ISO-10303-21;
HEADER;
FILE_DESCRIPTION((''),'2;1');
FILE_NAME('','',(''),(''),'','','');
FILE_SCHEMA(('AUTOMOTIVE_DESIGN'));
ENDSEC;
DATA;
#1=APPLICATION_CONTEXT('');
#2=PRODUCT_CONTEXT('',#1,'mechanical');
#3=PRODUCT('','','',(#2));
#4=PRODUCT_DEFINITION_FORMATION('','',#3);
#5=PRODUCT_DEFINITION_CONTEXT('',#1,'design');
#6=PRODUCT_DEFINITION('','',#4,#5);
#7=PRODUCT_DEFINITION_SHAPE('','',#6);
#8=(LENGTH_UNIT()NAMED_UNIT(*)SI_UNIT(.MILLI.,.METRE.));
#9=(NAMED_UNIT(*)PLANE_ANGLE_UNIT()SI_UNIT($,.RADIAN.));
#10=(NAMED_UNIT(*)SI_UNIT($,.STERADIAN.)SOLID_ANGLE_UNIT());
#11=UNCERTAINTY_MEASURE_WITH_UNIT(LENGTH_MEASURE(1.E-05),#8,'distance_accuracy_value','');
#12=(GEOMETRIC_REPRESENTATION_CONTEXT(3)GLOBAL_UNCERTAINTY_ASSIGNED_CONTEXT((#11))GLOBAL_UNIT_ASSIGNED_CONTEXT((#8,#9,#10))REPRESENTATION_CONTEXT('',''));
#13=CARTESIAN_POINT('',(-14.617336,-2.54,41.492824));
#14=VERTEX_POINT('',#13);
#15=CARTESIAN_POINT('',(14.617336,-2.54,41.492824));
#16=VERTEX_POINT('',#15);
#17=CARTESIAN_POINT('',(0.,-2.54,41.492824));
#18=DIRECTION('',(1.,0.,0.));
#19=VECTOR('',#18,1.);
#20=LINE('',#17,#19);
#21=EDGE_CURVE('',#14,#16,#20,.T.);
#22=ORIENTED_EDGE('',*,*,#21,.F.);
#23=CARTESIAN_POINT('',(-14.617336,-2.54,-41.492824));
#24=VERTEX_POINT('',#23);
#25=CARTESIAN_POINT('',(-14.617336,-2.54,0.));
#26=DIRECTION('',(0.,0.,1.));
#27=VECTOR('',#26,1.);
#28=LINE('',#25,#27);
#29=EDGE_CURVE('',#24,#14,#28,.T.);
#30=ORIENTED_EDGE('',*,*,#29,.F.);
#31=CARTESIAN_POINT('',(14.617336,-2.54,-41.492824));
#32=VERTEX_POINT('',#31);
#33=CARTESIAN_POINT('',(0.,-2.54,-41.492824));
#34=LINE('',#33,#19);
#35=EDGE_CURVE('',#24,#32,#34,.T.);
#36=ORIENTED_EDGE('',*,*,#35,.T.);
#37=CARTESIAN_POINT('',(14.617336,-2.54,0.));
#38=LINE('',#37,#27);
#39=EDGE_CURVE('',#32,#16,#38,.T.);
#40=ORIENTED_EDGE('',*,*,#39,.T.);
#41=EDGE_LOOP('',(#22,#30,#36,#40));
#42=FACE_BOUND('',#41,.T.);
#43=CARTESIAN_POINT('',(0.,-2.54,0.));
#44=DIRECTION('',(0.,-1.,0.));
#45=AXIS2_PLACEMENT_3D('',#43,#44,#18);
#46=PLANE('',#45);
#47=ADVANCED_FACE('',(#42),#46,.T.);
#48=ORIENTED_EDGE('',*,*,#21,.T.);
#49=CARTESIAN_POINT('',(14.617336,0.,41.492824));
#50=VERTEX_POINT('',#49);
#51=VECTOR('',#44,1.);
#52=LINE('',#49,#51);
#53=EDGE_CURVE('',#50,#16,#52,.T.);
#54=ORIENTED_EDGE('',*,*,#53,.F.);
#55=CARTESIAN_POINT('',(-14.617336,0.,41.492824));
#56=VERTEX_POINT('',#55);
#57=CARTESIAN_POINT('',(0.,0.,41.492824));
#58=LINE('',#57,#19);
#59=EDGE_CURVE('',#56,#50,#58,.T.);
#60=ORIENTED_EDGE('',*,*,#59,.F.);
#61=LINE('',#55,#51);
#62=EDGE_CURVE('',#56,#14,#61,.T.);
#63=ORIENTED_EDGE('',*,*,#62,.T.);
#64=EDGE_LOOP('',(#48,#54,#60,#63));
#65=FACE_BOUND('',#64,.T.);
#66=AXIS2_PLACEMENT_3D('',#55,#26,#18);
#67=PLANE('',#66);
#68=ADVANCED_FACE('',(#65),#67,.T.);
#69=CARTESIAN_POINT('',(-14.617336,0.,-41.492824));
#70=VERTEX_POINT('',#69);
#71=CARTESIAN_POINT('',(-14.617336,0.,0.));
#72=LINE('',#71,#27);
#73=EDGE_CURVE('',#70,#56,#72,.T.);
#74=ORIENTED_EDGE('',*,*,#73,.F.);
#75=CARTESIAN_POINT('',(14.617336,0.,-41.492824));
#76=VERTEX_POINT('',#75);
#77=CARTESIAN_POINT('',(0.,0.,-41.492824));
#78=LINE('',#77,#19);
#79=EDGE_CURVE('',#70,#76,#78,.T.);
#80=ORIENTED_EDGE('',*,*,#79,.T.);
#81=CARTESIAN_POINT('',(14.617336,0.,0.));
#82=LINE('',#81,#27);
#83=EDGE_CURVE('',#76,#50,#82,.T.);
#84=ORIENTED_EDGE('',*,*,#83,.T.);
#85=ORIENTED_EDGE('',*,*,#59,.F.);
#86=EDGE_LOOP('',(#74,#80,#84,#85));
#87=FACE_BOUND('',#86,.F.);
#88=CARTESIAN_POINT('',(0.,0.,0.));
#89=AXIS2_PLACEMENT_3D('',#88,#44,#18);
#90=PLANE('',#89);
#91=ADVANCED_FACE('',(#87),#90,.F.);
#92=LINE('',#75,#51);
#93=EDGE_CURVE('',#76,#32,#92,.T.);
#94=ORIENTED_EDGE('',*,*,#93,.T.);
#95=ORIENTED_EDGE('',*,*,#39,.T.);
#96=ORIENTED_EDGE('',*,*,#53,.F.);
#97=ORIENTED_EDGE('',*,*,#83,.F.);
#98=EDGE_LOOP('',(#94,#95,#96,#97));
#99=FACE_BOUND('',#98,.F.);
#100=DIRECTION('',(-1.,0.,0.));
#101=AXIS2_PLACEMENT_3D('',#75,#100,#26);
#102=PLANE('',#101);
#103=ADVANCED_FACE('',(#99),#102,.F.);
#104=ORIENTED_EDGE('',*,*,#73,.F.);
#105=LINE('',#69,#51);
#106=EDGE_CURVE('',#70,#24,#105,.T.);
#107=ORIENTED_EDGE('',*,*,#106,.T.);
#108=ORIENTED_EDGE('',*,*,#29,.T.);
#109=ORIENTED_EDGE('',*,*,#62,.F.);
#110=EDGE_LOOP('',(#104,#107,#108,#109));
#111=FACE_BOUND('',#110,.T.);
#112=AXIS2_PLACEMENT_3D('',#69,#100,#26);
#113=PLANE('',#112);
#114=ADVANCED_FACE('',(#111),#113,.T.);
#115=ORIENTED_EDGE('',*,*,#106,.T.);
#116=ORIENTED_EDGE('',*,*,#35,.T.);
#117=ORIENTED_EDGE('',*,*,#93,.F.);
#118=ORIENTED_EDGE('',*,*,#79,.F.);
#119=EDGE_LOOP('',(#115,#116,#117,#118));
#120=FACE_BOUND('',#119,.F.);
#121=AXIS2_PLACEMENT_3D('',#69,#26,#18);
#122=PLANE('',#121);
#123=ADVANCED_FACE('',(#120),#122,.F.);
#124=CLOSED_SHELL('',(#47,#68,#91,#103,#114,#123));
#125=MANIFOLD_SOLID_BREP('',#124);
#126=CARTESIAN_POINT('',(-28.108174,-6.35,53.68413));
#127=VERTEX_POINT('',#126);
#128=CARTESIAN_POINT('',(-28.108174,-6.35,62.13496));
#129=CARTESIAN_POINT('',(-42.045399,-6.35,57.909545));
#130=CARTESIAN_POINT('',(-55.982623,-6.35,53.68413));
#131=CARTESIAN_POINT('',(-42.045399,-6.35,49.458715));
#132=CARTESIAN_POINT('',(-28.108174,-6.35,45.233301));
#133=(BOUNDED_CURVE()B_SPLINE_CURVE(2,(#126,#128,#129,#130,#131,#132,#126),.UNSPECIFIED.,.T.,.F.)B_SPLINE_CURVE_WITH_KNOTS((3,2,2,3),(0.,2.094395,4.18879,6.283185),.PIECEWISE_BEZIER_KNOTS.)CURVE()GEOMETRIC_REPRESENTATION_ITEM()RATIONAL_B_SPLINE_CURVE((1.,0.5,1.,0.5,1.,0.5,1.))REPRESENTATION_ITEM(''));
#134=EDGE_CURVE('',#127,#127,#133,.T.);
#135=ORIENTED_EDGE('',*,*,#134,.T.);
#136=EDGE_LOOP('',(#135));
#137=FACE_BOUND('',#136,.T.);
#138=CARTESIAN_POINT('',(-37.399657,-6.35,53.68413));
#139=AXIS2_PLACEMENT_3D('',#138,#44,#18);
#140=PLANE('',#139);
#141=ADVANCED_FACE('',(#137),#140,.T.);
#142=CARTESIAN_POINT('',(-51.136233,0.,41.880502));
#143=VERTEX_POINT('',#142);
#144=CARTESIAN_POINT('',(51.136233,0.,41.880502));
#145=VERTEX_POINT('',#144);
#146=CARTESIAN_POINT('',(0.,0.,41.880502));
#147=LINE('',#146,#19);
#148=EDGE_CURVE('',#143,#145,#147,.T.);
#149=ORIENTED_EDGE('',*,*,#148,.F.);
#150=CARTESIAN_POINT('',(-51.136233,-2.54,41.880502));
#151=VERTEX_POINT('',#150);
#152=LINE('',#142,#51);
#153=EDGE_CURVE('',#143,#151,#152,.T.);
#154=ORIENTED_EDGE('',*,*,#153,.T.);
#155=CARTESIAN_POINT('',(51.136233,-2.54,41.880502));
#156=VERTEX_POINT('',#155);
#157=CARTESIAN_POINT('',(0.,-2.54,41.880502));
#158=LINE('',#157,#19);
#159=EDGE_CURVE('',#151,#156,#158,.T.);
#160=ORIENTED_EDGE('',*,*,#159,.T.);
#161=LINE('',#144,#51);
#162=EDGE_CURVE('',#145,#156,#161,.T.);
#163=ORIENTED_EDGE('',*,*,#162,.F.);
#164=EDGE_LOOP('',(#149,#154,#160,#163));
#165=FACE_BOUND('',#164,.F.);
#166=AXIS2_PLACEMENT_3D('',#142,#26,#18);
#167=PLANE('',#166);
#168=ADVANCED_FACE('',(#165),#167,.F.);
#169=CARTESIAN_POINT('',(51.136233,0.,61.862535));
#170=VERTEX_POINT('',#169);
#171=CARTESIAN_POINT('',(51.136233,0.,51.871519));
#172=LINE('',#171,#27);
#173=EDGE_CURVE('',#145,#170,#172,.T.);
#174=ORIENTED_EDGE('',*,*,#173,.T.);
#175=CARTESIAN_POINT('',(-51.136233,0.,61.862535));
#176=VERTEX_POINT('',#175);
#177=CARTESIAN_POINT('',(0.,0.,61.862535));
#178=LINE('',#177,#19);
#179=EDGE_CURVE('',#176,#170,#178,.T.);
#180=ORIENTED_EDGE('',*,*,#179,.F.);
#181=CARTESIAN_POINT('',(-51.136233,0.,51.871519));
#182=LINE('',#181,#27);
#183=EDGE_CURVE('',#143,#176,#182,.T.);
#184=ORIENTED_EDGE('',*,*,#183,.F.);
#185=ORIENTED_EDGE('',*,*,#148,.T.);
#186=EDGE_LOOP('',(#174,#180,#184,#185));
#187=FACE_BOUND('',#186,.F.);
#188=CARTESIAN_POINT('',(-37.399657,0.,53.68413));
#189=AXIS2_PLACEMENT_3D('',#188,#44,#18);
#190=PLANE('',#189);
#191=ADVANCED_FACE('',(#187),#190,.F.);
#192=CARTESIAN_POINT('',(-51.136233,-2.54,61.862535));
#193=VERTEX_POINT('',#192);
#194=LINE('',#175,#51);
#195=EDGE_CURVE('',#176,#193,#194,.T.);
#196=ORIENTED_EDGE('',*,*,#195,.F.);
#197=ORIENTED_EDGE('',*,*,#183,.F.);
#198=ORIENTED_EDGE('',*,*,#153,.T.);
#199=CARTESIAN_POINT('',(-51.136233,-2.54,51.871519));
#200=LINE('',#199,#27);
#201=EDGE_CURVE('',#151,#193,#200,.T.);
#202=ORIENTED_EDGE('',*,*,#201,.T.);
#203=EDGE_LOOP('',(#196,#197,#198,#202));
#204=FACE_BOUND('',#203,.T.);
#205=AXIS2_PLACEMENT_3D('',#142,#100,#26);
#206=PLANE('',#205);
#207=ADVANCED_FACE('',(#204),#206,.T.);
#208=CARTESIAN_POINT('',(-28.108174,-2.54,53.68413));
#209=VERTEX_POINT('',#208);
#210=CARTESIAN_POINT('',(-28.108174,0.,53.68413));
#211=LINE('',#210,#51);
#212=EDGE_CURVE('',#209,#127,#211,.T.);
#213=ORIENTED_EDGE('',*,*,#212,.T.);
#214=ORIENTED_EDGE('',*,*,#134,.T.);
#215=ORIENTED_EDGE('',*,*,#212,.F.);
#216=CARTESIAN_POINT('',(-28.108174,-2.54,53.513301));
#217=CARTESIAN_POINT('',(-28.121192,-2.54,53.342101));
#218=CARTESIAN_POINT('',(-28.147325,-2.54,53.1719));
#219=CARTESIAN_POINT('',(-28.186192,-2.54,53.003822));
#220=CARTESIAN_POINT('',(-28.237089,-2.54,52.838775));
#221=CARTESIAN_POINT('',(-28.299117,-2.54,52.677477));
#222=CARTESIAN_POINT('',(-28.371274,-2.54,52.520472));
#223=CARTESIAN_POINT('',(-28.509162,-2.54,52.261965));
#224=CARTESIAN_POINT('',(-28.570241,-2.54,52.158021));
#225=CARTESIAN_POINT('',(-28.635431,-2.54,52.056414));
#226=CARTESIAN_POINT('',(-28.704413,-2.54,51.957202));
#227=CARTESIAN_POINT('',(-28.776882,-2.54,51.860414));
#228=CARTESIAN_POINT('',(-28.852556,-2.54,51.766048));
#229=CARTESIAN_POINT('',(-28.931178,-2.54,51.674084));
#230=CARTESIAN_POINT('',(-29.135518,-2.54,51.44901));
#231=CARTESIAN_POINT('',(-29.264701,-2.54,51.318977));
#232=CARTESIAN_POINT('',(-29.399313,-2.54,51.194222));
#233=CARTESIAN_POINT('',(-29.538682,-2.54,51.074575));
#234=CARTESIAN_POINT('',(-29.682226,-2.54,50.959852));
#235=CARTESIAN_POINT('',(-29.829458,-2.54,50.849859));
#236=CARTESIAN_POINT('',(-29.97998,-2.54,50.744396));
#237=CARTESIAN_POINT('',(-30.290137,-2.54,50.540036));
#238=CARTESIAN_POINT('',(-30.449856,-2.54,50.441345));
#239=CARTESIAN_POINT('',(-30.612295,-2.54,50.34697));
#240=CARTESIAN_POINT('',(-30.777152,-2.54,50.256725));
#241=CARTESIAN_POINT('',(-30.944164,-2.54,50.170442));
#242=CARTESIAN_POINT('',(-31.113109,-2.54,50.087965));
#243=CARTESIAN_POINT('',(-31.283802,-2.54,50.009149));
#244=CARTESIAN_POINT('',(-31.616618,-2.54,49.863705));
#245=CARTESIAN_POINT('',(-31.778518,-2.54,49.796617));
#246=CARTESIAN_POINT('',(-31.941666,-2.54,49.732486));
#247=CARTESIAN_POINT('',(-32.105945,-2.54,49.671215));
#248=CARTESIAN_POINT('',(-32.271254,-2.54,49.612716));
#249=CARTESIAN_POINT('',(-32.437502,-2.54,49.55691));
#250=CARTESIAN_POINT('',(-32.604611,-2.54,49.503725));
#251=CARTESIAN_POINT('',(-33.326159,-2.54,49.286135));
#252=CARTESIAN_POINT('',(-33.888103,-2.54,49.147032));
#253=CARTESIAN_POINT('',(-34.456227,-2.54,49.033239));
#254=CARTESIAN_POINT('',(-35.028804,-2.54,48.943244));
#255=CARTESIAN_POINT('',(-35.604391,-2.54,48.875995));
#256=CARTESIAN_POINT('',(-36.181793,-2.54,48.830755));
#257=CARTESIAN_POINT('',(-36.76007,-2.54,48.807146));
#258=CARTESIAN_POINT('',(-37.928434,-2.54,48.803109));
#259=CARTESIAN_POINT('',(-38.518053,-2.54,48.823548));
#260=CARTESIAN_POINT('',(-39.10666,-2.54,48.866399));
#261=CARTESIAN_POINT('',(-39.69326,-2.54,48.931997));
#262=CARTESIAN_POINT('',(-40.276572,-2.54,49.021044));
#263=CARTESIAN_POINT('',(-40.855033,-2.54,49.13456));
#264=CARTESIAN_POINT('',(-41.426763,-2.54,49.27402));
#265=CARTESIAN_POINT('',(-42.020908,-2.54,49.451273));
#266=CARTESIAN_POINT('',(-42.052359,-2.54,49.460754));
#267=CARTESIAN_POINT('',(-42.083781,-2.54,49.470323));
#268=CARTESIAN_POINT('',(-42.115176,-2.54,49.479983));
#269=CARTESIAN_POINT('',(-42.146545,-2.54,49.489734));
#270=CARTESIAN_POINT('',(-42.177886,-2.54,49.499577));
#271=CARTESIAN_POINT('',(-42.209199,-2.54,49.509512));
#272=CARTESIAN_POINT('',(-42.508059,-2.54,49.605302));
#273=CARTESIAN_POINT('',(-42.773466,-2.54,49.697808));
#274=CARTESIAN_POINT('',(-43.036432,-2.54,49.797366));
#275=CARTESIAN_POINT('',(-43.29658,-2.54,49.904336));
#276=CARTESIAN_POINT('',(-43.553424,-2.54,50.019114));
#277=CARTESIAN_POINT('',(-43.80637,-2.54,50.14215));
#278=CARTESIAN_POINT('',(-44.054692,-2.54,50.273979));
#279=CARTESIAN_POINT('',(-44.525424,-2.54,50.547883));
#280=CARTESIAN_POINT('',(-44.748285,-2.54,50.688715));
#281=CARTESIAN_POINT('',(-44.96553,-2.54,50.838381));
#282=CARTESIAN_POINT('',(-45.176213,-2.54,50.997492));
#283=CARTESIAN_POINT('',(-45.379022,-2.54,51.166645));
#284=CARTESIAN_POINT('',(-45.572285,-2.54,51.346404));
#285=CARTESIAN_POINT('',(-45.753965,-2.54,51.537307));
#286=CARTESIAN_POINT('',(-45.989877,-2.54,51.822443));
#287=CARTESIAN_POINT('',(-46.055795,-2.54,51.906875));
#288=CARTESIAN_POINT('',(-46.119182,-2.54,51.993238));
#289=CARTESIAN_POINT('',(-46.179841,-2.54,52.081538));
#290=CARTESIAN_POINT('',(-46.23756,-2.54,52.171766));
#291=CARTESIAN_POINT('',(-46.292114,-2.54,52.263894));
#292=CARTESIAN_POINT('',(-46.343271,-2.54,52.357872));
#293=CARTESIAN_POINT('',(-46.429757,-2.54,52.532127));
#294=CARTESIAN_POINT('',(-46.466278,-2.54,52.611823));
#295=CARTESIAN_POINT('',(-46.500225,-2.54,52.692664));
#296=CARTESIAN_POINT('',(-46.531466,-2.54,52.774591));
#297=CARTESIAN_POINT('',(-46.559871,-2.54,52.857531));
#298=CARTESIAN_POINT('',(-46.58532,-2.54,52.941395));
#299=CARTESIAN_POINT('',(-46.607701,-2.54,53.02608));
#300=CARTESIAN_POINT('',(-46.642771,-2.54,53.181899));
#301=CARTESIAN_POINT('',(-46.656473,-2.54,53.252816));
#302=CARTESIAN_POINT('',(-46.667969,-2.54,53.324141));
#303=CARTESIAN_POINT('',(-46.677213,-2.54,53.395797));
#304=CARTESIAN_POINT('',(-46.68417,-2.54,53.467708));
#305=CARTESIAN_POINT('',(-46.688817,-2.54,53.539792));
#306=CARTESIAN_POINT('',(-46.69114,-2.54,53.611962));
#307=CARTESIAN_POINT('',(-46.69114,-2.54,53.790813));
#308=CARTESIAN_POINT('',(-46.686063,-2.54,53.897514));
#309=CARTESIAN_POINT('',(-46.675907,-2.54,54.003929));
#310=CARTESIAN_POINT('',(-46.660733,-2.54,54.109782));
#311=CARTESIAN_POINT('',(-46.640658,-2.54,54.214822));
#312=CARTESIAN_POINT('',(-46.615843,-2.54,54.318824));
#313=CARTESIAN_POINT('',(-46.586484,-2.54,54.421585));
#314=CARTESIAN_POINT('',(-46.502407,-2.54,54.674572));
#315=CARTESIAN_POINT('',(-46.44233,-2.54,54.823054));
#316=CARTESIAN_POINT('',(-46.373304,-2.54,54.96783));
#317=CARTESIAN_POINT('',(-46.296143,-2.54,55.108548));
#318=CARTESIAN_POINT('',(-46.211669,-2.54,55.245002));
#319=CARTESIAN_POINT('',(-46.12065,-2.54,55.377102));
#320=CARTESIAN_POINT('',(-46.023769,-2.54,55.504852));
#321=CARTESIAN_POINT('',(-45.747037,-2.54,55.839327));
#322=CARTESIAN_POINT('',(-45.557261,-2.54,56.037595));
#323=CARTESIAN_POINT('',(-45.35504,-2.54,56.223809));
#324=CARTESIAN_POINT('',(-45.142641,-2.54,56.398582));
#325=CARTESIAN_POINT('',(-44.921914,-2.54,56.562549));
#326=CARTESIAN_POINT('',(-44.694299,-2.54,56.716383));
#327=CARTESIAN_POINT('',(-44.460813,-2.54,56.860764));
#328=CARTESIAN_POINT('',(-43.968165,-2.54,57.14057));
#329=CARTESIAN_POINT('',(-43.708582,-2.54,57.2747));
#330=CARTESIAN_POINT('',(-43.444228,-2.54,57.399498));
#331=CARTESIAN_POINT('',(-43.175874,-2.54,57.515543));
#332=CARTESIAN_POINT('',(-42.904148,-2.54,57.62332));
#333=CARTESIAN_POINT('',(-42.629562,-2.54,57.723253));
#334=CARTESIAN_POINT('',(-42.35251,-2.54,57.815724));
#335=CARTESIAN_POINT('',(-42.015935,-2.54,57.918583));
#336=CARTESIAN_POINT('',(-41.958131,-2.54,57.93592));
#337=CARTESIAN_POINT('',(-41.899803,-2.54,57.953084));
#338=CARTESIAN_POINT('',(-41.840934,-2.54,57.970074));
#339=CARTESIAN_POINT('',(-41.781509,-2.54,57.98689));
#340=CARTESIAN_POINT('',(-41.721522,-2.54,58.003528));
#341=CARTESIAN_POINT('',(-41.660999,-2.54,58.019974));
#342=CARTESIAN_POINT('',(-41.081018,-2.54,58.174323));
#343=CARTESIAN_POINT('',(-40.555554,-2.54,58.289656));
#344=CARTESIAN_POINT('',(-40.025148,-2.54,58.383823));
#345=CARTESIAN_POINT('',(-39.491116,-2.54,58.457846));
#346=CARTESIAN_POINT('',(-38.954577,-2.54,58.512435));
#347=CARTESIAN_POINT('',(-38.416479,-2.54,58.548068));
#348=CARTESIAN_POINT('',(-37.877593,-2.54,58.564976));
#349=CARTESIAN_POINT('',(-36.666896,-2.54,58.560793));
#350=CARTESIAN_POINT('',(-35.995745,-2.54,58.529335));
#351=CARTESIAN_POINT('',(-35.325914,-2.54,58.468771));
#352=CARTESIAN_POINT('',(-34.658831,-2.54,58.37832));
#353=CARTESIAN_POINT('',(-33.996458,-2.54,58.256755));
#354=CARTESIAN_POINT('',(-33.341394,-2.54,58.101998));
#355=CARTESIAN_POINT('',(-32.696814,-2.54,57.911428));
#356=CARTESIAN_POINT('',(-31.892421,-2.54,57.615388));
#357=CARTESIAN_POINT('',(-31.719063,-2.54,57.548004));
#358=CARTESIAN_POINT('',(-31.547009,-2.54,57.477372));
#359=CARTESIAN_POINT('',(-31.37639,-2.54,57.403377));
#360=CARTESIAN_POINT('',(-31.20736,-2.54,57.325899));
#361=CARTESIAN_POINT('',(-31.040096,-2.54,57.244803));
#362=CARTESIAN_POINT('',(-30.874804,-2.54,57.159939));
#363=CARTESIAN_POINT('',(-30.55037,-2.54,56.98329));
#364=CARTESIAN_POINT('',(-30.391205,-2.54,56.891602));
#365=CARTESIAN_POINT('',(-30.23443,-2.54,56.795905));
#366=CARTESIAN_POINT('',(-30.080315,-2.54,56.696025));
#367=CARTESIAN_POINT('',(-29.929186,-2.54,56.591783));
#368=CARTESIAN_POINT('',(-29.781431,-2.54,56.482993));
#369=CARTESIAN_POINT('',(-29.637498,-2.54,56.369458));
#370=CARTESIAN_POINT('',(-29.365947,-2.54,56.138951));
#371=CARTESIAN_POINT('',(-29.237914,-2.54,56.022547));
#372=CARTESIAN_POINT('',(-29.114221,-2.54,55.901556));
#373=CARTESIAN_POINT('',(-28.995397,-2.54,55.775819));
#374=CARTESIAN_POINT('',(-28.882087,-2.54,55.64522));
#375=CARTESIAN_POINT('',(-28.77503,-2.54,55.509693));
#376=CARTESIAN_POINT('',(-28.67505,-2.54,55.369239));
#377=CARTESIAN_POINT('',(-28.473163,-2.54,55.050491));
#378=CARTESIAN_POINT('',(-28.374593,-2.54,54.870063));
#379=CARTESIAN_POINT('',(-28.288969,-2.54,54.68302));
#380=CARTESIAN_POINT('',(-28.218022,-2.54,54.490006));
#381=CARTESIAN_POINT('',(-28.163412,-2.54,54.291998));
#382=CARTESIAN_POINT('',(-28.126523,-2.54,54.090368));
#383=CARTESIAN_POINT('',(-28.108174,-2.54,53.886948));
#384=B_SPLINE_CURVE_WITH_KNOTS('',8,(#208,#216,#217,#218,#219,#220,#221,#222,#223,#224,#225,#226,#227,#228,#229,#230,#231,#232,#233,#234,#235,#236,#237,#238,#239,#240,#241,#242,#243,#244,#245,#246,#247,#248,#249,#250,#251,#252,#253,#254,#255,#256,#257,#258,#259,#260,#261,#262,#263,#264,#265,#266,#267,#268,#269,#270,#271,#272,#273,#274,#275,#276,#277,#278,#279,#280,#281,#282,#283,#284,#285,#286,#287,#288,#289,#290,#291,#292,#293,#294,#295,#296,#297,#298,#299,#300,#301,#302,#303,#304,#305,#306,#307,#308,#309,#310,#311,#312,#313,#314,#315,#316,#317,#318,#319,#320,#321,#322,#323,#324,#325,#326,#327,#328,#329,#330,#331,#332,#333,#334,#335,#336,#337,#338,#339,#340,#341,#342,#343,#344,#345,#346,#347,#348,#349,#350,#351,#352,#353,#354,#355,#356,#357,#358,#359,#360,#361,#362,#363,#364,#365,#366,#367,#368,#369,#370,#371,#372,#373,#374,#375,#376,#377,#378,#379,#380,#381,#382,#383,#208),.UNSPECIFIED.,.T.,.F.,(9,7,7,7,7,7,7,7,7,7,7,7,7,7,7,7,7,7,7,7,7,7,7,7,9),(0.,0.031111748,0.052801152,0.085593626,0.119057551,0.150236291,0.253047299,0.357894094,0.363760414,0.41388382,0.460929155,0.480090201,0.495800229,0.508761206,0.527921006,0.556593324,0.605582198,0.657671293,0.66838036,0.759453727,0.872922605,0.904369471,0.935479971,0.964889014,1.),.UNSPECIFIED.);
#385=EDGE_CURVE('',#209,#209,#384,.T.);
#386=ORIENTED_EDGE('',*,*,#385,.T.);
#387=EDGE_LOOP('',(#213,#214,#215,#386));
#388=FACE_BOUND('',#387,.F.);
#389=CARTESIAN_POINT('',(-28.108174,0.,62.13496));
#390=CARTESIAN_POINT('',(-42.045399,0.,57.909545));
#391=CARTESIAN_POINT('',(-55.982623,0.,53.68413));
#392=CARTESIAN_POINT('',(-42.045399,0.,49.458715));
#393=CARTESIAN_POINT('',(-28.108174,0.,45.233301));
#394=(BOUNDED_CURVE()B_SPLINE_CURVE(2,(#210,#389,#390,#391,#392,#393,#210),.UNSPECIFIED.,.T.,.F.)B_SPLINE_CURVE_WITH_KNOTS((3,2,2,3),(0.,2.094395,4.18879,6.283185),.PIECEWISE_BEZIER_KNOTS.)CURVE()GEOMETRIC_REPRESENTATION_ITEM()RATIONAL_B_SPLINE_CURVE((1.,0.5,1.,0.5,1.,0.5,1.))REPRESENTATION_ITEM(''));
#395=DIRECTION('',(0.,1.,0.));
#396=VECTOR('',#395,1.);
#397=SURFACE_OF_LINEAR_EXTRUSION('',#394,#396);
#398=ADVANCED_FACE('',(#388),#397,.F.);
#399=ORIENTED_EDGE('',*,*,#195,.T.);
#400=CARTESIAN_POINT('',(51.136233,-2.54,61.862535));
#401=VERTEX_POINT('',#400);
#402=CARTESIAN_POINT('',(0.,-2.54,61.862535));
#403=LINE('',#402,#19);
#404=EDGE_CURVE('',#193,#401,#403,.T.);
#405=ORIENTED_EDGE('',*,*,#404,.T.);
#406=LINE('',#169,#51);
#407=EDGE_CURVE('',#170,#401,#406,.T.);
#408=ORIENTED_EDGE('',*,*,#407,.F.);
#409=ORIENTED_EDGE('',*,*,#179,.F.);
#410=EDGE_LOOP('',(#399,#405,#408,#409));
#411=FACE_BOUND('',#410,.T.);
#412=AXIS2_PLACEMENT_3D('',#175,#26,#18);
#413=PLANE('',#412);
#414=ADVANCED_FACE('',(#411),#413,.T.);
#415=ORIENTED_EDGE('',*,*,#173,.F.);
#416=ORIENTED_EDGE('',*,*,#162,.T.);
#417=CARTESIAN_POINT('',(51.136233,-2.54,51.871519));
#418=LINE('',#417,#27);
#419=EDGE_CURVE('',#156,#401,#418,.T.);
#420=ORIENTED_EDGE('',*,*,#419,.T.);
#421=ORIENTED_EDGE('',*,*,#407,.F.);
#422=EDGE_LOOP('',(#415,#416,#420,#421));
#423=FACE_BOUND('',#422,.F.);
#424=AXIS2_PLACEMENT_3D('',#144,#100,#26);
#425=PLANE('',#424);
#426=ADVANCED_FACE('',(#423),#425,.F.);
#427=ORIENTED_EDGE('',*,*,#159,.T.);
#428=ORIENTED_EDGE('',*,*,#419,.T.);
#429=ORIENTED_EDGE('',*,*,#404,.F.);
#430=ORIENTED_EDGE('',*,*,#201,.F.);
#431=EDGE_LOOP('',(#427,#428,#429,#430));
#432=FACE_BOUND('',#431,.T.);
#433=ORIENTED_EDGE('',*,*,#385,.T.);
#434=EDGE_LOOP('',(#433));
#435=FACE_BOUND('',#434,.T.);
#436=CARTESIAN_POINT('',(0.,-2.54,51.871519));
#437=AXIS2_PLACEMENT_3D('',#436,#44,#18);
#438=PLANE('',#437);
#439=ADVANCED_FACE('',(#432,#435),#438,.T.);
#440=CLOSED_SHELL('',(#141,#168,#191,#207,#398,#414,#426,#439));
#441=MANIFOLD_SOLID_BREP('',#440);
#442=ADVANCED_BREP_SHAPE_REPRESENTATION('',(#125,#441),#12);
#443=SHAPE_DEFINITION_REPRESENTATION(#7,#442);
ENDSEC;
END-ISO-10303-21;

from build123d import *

# Parameters (mm, degrees)
F0_W     = 102.272466
F0_H     = 19.982033
F0_W_2   = 29.234672
F0_H_2   = 82.985648
F2_DEPTH = 2.54
F3_DEPTH = 6.35


with BuildPart() as f2:
    # F0 (on Front) → F2 (new body)
    with BuildSketch(Plane.XZ):
        with Locations((0, 51.871519)):
            Rectangle(F0_W, F0_H)
        Rectangle(F0_W_2, F0_H_2)
    extrude(amount=F2_DEPTH)

    # F1 (on Front) → F3 (join)
    with BuildSketch(Plane.XZ):
        with BuildLine():
            add(Edge.make_bspline(
                [(-28.108174, 53.68413), (-28.108174, 62.13496), (-42.045399, 57.909545), (-55.982623, 53.68413), (-42.045399, 49.458715), (-28.108174, 45.233301), (-28.108174, 53.68413)],
                knots=[0, 0, 0, 2.094395, 2.094395, 4.18879, 4.18879, 6.283185, 6.283185, 6.283185], degree=2, weights=[1, 0.5, 1, 0.5, 1, 0.5, 1]))
        make_face()
    extrude(amount=F3_DEPTH)


solid = f2.part
